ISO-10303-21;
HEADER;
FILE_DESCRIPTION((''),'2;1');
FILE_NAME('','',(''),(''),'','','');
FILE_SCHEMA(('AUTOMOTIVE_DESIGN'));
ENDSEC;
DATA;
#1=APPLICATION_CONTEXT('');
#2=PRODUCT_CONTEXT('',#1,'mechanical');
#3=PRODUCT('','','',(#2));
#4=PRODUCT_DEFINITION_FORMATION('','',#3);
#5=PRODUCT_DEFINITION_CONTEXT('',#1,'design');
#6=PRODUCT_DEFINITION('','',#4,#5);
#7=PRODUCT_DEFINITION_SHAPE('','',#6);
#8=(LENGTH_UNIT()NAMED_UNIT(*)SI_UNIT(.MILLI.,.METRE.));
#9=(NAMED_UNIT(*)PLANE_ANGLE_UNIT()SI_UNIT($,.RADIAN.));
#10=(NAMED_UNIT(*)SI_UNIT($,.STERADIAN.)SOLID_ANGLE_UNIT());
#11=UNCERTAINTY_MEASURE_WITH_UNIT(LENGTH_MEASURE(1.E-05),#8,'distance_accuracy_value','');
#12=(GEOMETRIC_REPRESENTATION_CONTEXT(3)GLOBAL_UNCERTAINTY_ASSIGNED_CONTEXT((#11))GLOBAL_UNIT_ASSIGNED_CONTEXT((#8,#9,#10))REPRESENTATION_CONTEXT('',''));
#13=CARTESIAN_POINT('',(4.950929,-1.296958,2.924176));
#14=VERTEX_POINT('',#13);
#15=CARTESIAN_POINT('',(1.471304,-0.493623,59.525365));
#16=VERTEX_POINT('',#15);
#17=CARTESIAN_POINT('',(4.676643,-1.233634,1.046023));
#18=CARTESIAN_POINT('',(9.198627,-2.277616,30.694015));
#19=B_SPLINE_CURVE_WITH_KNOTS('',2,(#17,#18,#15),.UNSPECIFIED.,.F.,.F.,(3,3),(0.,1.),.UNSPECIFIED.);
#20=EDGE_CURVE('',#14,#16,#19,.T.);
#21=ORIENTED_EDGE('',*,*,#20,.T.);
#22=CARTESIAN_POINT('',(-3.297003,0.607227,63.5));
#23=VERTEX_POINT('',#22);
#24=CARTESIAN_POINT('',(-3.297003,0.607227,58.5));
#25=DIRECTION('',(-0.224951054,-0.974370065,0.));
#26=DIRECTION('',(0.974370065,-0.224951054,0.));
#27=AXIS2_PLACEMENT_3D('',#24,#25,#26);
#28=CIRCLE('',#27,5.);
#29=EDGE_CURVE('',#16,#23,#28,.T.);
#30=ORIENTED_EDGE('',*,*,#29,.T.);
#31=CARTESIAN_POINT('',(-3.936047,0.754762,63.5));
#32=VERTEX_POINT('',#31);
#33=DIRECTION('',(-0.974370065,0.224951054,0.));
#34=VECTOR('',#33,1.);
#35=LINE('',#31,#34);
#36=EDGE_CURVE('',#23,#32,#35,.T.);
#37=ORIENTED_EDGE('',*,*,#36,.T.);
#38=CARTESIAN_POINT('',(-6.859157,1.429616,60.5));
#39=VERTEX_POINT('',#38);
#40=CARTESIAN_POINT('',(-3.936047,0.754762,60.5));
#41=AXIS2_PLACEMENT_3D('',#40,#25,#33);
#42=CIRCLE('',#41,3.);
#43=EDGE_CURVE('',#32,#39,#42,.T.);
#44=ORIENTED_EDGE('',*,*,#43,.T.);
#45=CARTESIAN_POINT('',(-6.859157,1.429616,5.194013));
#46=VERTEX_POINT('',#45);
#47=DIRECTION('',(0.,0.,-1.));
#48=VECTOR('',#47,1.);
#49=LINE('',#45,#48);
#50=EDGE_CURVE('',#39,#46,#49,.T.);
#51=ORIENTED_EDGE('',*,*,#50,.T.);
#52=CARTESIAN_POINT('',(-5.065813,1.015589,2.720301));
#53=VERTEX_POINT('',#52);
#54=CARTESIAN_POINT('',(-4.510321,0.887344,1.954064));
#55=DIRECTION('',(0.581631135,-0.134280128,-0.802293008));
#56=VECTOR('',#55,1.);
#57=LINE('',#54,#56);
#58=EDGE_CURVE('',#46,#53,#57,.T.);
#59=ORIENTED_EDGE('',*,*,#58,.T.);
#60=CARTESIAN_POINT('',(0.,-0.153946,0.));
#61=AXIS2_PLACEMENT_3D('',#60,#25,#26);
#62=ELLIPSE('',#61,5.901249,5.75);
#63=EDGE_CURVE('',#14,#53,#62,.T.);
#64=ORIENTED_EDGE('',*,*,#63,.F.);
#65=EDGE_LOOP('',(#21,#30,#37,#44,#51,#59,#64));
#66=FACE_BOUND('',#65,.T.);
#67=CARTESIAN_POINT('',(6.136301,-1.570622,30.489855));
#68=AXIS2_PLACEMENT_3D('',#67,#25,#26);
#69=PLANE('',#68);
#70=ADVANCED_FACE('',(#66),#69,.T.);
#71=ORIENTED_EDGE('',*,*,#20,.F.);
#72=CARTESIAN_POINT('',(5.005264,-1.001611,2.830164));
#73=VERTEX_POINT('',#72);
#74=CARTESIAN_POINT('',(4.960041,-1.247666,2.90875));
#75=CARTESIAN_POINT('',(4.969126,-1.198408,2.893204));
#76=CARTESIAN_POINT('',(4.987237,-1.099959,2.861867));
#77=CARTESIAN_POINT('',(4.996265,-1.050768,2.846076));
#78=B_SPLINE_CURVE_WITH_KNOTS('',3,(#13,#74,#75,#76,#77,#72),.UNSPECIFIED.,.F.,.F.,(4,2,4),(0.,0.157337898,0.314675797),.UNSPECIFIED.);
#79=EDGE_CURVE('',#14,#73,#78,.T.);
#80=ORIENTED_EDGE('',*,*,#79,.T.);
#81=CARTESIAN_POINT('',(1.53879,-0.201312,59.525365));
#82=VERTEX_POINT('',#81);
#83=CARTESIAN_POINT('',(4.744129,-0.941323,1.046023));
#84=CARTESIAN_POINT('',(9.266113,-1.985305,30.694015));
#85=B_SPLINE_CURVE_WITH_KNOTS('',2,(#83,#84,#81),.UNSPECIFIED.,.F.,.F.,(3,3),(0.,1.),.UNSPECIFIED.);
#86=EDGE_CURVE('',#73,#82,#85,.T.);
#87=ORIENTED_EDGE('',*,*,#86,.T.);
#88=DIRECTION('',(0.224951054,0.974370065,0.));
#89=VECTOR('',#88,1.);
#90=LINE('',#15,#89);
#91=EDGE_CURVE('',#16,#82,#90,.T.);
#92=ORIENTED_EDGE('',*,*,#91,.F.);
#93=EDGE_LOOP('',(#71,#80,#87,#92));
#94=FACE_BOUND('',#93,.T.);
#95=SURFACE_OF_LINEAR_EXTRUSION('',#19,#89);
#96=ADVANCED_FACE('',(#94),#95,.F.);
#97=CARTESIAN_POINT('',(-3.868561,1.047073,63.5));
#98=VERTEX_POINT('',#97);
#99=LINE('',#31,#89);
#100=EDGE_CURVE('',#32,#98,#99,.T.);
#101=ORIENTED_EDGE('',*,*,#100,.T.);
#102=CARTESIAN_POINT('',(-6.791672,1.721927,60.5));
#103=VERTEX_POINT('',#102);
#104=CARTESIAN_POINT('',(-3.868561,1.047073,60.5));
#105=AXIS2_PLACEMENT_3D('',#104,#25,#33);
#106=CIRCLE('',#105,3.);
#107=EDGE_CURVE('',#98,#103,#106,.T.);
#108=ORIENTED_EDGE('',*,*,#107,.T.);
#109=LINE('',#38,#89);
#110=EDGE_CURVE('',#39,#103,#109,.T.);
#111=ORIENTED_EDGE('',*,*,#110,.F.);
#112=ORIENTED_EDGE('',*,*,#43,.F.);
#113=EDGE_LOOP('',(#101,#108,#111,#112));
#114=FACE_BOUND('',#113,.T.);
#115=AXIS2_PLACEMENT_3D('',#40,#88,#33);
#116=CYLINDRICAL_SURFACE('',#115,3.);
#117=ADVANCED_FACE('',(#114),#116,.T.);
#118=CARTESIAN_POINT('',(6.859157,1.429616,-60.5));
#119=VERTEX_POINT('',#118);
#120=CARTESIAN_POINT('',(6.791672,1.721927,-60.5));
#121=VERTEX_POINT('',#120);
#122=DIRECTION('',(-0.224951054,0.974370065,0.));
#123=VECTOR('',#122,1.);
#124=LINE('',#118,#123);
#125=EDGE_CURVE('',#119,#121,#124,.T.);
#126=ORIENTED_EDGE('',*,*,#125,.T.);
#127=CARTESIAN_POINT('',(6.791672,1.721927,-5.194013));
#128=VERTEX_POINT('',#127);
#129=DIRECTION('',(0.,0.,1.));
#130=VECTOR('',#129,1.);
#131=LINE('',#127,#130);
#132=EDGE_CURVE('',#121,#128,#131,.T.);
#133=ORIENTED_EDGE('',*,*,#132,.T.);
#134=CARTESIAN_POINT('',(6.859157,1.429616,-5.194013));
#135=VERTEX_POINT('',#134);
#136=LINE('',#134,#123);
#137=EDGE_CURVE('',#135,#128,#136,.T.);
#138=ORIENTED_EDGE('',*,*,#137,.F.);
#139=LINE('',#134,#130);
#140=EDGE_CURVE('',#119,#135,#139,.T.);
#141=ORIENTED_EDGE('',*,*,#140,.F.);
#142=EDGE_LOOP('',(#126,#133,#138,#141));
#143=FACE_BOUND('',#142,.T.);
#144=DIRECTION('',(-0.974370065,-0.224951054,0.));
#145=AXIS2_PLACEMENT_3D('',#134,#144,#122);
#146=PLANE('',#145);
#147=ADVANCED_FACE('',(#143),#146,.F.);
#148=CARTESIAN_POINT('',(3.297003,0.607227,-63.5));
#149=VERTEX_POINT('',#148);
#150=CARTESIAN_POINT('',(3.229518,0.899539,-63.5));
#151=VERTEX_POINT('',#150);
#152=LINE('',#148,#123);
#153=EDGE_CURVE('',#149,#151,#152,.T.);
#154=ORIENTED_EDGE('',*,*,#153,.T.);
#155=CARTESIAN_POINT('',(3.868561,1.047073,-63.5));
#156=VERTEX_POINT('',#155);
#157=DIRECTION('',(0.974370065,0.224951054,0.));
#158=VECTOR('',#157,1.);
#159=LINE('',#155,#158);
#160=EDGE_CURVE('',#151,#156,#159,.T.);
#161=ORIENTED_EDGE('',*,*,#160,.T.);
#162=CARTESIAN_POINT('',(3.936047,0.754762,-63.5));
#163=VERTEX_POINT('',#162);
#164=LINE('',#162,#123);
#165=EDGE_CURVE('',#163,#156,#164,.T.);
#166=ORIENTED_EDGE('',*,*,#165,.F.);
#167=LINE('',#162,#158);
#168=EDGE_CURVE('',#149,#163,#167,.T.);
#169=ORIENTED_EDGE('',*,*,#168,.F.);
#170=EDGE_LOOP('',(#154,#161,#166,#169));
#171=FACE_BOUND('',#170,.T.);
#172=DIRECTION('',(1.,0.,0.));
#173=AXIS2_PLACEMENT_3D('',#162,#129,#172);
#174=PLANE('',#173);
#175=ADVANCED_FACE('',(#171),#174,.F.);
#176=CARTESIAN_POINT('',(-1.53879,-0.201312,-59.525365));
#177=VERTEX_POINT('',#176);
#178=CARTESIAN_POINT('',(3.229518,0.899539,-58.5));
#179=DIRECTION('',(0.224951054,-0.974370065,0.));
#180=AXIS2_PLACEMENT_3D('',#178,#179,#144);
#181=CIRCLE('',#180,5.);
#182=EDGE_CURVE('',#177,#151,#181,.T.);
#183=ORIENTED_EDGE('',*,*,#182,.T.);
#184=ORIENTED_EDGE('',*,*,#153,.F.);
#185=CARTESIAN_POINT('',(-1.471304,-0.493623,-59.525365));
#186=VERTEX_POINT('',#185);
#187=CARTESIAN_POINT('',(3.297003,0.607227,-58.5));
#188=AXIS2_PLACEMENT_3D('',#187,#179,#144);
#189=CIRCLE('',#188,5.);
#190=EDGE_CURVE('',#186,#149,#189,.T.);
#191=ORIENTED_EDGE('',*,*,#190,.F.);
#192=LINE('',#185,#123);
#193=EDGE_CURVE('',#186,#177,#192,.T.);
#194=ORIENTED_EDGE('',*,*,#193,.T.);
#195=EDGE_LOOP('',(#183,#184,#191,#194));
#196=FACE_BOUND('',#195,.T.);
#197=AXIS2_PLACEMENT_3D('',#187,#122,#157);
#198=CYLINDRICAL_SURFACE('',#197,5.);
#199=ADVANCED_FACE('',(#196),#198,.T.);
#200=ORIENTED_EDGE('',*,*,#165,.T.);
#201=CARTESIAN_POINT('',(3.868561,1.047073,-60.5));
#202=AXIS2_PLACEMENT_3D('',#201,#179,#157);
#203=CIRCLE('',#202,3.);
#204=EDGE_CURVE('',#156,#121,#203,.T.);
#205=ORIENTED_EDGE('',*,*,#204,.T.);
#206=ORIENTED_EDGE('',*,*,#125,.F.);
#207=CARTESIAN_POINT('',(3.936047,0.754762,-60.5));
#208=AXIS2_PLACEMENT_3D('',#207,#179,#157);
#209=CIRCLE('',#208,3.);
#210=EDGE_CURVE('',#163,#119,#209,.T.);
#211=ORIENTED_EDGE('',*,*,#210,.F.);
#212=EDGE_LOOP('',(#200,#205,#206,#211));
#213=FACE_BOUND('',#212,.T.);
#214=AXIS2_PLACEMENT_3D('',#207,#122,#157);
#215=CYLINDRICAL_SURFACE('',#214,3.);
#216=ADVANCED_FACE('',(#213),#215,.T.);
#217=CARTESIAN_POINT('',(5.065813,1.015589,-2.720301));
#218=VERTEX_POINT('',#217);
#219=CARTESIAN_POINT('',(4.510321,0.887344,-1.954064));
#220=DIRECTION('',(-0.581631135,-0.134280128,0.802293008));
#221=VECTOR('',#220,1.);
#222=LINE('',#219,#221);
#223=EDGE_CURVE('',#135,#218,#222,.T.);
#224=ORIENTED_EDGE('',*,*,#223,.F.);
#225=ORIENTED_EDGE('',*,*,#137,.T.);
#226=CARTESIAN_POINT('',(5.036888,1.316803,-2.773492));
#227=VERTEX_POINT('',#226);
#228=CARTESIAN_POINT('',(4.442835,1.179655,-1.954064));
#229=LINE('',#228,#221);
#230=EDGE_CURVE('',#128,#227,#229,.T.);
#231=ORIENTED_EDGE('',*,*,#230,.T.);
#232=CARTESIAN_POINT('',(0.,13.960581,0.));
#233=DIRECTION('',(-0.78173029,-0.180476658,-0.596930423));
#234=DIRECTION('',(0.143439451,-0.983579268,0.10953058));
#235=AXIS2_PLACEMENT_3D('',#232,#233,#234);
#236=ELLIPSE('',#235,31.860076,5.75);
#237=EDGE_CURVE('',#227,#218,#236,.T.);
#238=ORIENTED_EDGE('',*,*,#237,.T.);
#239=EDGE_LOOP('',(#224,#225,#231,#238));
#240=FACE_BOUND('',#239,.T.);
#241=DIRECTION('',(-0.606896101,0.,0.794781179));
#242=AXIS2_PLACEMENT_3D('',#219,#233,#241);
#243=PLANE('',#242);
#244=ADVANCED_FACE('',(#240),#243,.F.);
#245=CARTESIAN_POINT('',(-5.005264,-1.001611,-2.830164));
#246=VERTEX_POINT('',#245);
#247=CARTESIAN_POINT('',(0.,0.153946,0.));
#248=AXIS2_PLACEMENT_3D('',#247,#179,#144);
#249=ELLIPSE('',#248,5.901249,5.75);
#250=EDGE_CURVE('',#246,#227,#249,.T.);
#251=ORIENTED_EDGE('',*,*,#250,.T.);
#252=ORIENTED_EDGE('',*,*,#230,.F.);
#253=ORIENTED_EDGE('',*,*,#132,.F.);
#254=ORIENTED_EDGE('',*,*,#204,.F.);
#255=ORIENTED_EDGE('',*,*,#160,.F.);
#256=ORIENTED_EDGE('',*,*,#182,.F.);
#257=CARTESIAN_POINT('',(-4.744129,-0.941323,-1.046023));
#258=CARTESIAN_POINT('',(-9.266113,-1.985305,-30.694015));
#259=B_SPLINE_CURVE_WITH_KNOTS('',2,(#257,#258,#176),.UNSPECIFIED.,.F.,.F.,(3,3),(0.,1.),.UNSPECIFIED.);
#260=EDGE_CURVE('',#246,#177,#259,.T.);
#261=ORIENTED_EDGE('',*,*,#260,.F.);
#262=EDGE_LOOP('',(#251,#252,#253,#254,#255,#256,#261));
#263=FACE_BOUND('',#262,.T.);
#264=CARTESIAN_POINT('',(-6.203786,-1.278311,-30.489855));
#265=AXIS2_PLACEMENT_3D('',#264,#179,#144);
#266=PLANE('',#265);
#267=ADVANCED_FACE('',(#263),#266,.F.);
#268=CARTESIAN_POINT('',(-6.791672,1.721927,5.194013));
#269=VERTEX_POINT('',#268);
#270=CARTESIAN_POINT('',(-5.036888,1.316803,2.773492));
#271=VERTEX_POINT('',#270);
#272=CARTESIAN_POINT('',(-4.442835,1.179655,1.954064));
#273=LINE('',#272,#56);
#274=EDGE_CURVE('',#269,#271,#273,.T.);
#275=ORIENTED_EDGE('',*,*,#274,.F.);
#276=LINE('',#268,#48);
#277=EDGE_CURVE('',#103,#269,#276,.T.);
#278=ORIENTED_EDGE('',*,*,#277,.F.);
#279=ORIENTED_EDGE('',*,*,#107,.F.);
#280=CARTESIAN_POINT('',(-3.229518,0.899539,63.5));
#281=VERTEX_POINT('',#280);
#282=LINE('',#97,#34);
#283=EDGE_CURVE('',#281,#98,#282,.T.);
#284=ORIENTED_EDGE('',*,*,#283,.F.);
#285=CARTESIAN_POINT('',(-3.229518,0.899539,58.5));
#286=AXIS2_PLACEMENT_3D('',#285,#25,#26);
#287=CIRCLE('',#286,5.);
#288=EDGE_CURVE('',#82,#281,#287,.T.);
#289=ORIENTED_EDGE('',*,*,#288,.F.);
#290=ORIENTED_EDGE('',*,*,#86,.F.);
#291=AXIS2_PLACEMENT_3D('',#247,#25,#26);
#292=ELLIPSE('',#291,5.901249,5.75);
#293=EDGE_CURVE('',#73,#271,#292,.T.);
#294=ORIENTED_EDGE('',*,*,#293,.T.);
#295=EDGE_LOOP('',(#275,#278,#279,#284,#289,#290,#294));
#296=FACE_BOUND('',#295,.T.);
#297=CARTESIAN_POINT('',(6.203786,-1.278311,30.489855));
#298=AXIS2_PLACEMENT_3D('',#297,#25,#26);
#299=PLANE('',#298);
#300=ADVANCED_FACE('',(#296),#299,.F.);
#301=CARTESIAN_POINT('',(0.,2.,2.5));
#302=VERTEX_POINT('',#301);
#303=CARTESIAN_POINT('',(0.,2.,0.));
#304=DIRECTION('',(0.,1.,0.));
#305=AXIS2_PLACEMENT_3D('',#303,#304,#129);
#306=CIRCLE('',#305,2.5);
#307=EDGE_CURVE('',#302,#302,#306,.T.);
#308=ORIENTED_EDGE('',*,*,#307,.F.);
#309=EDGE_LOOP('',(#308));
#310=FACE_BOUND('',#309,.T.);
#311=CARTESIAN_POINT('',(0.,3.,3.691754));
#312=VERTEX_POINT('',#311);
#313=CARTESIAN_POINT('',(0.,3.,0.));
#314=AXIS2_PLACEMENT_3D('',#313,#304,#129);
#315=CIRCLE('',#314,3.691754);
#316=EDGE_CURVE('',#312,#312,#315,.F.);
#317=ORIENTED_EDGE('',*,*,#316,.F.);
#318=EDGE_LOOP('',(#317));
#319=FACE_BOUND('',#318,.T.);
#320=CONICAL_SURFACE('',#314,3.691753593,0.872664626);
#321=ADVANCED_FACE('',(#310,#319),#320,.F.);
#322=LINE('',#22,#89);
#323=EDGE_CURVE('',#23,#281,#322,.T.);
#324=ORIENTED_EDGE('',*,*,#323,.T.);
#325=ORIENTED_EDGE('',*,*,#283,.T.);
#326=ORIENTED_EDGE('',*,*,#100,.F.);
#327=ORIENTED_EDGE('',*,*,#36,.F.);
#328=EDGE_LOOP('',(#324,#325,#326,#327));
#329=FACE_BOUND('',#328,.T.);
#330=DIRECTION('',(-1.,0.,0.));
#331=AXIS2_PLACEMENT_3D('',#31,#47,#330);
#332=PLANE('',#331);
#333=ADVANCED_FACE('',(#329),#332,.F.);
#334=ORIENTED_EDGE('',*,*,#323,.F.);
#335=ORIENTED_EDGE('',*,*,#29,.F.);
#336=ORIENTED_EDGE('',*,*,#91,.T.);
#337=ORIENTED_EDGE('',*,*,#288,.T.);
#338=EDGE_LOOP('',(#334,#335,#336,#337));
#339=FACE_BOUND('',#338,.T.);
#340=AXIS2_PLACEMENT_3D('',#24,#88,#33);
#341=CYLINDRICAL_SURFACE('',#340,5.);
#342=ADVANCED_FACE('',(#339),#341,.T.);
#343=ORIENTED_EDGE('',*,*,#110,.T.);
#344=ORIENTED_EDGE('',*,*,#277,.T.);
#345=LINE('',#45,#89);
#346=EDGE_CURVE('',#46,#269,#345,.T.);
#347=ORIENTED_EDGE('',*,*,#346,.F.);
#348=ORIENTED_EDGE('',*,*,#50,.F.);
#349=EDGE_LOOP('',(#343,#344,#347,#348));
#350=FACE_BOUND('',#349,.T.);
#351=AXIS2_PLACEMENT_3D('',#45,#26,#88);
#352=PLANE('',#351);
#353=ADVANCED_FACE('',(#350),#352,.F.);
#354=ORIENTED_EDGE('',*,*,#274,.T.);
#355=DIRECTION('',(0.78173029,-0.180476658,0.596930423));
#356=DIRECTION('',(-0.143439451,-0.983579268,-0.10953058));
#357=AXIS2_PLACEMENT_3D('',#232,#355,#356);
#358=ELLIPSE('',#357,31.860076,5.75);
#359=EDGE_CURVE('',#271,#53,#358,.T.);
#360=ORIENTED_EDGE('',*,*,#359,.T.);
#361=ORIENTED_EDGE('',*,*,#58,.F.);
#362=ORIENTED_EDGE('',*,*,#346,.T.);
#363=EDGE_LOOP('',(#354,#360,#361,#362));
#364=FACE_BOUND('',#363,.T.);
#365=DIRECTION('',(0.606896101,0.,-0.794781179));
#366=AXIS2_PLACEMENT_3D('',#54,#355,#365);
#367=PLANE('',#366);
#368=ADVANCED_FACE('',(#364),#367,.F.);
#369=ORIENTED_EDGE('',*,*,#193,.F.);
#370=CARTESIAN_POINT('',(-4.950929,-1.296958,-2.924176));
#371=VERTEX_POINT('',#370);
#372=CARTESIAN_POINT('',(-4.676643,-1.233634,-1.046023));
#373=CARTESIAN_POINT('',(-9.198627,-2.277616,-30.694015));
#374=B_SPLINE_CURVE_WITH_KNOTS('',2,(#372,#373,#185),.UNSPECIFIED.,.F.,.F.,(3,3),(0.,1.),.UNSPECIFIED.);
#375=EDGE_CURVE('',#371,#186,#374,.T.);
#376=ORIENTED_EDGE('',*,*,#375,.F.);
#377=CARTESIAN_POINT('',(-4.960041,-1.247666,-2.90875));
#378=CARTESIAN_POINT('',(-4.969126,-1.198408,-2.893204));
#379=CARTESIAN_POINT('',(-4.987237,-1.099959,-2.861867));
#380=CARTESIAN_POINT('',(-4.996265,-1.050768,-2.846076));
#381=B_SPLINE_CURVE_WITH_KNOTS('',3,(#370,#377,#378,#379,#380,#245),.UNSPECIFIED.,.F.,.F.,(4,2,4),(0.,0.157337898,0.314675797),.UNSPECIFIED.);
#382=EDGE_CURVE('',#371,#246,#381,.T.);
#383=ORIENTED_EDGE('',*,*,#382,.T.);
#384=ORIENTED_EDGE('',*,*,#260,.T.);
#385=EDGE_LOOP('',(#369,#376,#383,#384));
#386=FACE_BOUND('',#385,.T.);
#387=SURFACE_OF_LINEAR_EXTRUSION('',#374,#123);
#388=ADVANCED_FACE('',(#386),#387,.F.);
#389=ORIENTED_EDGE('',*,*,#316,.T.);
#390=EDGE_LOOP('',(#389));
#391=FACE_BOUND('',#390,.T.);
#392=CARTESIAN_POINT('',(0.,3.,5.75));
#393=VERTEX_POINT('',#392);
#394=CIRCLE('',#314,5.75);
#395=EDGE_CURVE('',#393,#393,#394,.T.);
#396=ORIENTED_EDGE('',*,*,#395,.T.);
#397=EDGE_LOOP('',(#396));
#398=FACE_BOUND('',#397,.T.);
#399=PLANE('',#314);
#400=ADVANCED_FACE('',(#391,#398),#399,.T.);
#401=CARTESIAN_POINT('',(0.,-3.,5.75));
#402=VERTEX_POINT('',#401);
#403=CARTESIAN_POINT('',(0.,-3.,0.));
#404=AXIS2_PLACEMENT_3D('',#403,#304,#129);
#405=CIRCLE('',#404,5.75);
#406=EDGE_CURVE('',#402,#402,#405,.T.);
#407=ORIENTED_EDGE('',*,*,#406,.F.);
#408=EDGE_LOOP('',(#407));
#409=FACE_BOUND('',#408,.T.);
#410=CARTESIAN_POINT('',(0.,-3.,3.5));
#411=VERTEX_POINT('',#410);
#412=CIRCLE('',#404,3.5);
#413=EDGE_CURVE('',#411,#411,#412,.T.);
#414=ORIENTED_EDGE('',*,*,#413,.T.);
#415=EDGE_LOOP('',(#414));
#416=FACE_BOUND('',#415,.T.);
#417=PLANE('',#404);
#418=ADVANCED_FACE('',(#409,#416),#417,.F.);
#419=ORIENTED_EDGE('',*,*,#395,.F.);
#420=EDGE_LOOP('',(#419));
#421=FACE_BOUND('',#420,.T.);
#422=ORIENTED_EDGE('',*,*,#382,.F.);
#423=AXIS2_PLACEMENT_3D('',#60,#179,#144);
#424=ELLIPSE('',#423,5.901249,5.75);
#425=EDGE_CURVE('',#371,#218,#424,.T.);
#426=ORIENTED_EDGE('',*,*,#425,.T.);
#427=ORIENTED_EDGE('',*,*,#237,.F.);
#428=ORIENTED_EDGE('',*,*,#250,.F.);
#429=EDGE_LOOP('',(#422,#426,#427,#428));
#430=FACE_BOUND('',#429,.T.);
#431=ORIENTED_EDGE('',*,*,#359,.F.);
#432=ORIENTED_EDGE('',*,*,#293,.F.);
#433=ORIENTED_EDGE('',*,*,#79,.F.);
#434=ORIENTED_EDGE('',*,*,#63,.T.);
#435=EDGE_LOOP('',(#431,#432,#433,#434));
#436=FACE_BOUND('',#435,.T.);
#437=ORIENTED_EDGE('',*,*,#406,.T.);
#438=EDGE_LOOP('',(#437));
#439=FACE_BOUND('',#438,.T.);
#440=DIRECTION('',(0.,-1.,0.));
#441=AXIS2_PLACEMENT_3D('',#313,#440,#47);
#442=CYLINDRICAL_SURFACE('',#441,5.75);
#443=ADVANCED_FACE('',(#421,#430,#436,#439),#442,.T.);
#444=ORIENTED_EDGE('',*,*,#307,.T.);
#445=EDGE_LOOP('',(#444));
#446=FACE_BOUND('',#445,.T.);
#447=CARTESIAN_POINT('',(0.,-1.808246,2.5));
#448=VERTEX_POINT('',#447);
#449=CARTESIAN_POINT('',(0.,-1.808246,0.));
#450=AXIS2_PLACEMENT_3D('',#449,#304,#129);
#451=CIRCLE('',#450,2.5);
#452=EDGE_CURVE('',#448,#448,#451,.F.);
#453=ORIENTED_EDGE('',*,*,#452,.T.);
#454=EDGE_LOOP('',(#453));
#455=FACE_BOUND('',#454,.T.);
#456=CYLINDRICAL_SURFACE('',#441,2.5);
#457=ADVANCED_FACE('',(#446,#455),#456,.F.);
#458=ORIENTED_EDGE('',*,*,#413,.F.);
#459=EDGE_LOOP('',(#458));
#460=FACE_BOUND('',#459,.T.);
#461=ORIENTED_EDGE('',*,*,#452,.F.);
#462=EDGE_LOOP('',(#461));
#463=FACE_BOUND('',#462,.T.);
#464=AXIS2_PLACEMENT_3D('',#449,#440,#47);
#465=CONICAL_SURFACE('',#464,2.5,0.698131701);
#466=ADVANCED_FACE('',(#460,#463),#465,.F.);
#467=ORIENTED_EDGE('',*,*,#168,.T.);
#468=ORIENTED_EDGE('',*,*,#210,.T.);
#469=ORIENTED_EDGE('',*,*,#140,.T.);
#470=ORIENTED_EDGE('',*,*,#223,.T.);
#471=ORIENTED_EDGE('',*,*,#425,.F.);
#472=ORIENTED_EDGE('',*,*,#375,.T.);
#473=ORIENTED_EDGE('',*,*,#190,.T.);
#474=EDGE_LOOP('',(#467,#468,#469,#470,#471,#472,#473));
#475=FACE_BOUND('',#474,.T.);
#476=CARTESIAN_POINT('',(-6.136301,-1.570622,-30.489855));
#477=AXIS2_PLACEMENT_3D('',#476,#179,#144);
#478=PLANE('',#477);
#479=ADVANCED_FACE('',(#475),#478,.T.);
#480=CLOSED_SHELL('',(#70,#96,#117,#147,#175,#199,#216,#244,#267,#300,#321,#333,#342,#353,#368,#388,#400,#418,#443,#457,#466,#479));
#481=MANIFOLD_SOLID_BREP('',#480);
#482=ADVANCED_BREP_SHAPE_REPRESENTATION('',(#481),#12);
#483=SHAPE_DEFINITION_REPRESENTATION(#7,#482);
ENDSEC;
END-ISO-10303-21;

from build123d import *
from OCP.BRepFilletAPI import BRepFilletAPI_MakeChamfer

# Parameters (mm, degrees)
SKETCH1_R           = 5.75
BOSS_EXTRUDE1_DEPTH = 3
BOSS_EXTRUDE2_DEPTH = 0.15
CIRPATTERN1_COUNT   = 2
SKETCH4_R           = 2.5
CUT_EXTRUDE1_DEPTH  = 65.150588849
CHAMFER2_SIZE       = 1
CHAMFER2_SIZE2      = 1.191753593


with BuildPart() as part:
    # Sketch1 → Boss-Extrude1 (new, symmetric)
    with BuildSketch(Plane(origin=(0, 0, 0), x_dir=(1, 0, 0), z_dir=(0, 1, 0))):
        with Locations(Location((0, 0, 0), (0, 0, 270))):
            Circle(SKETCH1_R)
    extrude(amount=BOSS_EXTRUDE1_DEPTH, both=True)

    # Sketch3 → Boss-Extrude2 (add, symmetric)
    with BuildSketch(Plane(origin=(0, 0, 0), x_dir=(0.9743700647852351, -0.2249510543438655, 0), z_dir=(-0.2249510543438655, -0.9743700647852351, 0))):
        with BuildLine():
            Line((-4.594330289, 1.95406384), (-7.004950747, 5.194012526))
            Line((-7.004950747, 5.194012526), (-7.004950747, 60.5))
            ThreePointArc((-7.004950747, 60.5), (-6.12627109, 62.621320344), (-4.004950747, 63.5))
            Line((-4.004950747, 63.5), (-3.349097477, 63.5))
            ThreePointArc((-3.349097477, 63.5), (-0.196862037, 62.381161132), (1.54463599, 59.525364693))
            add(Edge.make_bspline(
                [(1.54463599, 59.525364693), (9.475219296, 30.694015203), (4.834288523, 1.046023407)],
                knots=[0, 0, 0, 1, 1, 1], degree=2))
            add(Edge.make_bspline(
                [(-4.594330289, 1.95406384), (0.469577579, 8.859977358), (4.834288523, 1.046023407)],
                knots=[0, 0, 0, 1, 1, 1], degree=2))
        make_face()
    boss_extrude2 = extrude(amount=BOSS_EXTRUDE2_DEPTH, both=True)

    # CirPattern1: Boss-Extrude2 ×2 about axis
    cirpattern1_axis = Axis((0, 3, 0), (0, -1, 0))
    for i in range(1, CIRPATTERN1_COUNT):
        add(boss_extrude2.rotate(cirpattern1_axis, i * 360 / CIRPATTERN1_COUNT))

    # Sketch4 → Cut-Extrude1 (cut, through all)
    with BuildSketch(Plane.XZ.offset(3)):
        with Locations(Location((0, 0, 0), (0, 0, 270))):
            Circle(SKETCH4_R)
    extrude(amount=-CUT_EXTRUDE1_DEPTH, mode=Mode.SUBTRACT)

    # Chamfer2: one chamfer whose edges measure the first distance from different faces: ONE call of the kernel's chamfer builder (chamfer() names one face for all edges)
    chamfer2_edges_1 = [part.edges().sort_by_distance(p)[0] for p in [
        (0, 3, 2.5),
    ]]
    chamfer2_side_1 = [part.faces().sort_by_distance(p)[0] for p in [
        (0, 0, 2.5),
    ]]
    chamfer2_edges_2 = [part.edges().sort_by_distance(p)[0] for p in [
        (0, -3, 2.5),
    ]]
    chamfer2_side_2 = [part.faces().sort_by_distance(p)[0] for p in [
        (0, -3, -5.58736544),
    ]]
    chamfer2 = BRepFilletAPI_MakeChamfer(part.part.solid().wrapped)
    for e in chamfer2_edges_1:
        chamfer2.Add(CHAMFER2_SIZE, CHAMFER2_SIZE2, e.wrapped, chamfer2_side_1[0].wrapped)  # the first distance lies on this face
    for e in chamfer2_edges_2:
        chamfer2.Add(CHAMFER2_SIZE, CHAMFER2_SIZE2, e.wrapped, chamfer2_side_2[0].wrapped)  # the first distance lies on this face
    add(Compound.cast(chamfer2.Shape()), mode=Mode.REPLACE)


solid = part.part
